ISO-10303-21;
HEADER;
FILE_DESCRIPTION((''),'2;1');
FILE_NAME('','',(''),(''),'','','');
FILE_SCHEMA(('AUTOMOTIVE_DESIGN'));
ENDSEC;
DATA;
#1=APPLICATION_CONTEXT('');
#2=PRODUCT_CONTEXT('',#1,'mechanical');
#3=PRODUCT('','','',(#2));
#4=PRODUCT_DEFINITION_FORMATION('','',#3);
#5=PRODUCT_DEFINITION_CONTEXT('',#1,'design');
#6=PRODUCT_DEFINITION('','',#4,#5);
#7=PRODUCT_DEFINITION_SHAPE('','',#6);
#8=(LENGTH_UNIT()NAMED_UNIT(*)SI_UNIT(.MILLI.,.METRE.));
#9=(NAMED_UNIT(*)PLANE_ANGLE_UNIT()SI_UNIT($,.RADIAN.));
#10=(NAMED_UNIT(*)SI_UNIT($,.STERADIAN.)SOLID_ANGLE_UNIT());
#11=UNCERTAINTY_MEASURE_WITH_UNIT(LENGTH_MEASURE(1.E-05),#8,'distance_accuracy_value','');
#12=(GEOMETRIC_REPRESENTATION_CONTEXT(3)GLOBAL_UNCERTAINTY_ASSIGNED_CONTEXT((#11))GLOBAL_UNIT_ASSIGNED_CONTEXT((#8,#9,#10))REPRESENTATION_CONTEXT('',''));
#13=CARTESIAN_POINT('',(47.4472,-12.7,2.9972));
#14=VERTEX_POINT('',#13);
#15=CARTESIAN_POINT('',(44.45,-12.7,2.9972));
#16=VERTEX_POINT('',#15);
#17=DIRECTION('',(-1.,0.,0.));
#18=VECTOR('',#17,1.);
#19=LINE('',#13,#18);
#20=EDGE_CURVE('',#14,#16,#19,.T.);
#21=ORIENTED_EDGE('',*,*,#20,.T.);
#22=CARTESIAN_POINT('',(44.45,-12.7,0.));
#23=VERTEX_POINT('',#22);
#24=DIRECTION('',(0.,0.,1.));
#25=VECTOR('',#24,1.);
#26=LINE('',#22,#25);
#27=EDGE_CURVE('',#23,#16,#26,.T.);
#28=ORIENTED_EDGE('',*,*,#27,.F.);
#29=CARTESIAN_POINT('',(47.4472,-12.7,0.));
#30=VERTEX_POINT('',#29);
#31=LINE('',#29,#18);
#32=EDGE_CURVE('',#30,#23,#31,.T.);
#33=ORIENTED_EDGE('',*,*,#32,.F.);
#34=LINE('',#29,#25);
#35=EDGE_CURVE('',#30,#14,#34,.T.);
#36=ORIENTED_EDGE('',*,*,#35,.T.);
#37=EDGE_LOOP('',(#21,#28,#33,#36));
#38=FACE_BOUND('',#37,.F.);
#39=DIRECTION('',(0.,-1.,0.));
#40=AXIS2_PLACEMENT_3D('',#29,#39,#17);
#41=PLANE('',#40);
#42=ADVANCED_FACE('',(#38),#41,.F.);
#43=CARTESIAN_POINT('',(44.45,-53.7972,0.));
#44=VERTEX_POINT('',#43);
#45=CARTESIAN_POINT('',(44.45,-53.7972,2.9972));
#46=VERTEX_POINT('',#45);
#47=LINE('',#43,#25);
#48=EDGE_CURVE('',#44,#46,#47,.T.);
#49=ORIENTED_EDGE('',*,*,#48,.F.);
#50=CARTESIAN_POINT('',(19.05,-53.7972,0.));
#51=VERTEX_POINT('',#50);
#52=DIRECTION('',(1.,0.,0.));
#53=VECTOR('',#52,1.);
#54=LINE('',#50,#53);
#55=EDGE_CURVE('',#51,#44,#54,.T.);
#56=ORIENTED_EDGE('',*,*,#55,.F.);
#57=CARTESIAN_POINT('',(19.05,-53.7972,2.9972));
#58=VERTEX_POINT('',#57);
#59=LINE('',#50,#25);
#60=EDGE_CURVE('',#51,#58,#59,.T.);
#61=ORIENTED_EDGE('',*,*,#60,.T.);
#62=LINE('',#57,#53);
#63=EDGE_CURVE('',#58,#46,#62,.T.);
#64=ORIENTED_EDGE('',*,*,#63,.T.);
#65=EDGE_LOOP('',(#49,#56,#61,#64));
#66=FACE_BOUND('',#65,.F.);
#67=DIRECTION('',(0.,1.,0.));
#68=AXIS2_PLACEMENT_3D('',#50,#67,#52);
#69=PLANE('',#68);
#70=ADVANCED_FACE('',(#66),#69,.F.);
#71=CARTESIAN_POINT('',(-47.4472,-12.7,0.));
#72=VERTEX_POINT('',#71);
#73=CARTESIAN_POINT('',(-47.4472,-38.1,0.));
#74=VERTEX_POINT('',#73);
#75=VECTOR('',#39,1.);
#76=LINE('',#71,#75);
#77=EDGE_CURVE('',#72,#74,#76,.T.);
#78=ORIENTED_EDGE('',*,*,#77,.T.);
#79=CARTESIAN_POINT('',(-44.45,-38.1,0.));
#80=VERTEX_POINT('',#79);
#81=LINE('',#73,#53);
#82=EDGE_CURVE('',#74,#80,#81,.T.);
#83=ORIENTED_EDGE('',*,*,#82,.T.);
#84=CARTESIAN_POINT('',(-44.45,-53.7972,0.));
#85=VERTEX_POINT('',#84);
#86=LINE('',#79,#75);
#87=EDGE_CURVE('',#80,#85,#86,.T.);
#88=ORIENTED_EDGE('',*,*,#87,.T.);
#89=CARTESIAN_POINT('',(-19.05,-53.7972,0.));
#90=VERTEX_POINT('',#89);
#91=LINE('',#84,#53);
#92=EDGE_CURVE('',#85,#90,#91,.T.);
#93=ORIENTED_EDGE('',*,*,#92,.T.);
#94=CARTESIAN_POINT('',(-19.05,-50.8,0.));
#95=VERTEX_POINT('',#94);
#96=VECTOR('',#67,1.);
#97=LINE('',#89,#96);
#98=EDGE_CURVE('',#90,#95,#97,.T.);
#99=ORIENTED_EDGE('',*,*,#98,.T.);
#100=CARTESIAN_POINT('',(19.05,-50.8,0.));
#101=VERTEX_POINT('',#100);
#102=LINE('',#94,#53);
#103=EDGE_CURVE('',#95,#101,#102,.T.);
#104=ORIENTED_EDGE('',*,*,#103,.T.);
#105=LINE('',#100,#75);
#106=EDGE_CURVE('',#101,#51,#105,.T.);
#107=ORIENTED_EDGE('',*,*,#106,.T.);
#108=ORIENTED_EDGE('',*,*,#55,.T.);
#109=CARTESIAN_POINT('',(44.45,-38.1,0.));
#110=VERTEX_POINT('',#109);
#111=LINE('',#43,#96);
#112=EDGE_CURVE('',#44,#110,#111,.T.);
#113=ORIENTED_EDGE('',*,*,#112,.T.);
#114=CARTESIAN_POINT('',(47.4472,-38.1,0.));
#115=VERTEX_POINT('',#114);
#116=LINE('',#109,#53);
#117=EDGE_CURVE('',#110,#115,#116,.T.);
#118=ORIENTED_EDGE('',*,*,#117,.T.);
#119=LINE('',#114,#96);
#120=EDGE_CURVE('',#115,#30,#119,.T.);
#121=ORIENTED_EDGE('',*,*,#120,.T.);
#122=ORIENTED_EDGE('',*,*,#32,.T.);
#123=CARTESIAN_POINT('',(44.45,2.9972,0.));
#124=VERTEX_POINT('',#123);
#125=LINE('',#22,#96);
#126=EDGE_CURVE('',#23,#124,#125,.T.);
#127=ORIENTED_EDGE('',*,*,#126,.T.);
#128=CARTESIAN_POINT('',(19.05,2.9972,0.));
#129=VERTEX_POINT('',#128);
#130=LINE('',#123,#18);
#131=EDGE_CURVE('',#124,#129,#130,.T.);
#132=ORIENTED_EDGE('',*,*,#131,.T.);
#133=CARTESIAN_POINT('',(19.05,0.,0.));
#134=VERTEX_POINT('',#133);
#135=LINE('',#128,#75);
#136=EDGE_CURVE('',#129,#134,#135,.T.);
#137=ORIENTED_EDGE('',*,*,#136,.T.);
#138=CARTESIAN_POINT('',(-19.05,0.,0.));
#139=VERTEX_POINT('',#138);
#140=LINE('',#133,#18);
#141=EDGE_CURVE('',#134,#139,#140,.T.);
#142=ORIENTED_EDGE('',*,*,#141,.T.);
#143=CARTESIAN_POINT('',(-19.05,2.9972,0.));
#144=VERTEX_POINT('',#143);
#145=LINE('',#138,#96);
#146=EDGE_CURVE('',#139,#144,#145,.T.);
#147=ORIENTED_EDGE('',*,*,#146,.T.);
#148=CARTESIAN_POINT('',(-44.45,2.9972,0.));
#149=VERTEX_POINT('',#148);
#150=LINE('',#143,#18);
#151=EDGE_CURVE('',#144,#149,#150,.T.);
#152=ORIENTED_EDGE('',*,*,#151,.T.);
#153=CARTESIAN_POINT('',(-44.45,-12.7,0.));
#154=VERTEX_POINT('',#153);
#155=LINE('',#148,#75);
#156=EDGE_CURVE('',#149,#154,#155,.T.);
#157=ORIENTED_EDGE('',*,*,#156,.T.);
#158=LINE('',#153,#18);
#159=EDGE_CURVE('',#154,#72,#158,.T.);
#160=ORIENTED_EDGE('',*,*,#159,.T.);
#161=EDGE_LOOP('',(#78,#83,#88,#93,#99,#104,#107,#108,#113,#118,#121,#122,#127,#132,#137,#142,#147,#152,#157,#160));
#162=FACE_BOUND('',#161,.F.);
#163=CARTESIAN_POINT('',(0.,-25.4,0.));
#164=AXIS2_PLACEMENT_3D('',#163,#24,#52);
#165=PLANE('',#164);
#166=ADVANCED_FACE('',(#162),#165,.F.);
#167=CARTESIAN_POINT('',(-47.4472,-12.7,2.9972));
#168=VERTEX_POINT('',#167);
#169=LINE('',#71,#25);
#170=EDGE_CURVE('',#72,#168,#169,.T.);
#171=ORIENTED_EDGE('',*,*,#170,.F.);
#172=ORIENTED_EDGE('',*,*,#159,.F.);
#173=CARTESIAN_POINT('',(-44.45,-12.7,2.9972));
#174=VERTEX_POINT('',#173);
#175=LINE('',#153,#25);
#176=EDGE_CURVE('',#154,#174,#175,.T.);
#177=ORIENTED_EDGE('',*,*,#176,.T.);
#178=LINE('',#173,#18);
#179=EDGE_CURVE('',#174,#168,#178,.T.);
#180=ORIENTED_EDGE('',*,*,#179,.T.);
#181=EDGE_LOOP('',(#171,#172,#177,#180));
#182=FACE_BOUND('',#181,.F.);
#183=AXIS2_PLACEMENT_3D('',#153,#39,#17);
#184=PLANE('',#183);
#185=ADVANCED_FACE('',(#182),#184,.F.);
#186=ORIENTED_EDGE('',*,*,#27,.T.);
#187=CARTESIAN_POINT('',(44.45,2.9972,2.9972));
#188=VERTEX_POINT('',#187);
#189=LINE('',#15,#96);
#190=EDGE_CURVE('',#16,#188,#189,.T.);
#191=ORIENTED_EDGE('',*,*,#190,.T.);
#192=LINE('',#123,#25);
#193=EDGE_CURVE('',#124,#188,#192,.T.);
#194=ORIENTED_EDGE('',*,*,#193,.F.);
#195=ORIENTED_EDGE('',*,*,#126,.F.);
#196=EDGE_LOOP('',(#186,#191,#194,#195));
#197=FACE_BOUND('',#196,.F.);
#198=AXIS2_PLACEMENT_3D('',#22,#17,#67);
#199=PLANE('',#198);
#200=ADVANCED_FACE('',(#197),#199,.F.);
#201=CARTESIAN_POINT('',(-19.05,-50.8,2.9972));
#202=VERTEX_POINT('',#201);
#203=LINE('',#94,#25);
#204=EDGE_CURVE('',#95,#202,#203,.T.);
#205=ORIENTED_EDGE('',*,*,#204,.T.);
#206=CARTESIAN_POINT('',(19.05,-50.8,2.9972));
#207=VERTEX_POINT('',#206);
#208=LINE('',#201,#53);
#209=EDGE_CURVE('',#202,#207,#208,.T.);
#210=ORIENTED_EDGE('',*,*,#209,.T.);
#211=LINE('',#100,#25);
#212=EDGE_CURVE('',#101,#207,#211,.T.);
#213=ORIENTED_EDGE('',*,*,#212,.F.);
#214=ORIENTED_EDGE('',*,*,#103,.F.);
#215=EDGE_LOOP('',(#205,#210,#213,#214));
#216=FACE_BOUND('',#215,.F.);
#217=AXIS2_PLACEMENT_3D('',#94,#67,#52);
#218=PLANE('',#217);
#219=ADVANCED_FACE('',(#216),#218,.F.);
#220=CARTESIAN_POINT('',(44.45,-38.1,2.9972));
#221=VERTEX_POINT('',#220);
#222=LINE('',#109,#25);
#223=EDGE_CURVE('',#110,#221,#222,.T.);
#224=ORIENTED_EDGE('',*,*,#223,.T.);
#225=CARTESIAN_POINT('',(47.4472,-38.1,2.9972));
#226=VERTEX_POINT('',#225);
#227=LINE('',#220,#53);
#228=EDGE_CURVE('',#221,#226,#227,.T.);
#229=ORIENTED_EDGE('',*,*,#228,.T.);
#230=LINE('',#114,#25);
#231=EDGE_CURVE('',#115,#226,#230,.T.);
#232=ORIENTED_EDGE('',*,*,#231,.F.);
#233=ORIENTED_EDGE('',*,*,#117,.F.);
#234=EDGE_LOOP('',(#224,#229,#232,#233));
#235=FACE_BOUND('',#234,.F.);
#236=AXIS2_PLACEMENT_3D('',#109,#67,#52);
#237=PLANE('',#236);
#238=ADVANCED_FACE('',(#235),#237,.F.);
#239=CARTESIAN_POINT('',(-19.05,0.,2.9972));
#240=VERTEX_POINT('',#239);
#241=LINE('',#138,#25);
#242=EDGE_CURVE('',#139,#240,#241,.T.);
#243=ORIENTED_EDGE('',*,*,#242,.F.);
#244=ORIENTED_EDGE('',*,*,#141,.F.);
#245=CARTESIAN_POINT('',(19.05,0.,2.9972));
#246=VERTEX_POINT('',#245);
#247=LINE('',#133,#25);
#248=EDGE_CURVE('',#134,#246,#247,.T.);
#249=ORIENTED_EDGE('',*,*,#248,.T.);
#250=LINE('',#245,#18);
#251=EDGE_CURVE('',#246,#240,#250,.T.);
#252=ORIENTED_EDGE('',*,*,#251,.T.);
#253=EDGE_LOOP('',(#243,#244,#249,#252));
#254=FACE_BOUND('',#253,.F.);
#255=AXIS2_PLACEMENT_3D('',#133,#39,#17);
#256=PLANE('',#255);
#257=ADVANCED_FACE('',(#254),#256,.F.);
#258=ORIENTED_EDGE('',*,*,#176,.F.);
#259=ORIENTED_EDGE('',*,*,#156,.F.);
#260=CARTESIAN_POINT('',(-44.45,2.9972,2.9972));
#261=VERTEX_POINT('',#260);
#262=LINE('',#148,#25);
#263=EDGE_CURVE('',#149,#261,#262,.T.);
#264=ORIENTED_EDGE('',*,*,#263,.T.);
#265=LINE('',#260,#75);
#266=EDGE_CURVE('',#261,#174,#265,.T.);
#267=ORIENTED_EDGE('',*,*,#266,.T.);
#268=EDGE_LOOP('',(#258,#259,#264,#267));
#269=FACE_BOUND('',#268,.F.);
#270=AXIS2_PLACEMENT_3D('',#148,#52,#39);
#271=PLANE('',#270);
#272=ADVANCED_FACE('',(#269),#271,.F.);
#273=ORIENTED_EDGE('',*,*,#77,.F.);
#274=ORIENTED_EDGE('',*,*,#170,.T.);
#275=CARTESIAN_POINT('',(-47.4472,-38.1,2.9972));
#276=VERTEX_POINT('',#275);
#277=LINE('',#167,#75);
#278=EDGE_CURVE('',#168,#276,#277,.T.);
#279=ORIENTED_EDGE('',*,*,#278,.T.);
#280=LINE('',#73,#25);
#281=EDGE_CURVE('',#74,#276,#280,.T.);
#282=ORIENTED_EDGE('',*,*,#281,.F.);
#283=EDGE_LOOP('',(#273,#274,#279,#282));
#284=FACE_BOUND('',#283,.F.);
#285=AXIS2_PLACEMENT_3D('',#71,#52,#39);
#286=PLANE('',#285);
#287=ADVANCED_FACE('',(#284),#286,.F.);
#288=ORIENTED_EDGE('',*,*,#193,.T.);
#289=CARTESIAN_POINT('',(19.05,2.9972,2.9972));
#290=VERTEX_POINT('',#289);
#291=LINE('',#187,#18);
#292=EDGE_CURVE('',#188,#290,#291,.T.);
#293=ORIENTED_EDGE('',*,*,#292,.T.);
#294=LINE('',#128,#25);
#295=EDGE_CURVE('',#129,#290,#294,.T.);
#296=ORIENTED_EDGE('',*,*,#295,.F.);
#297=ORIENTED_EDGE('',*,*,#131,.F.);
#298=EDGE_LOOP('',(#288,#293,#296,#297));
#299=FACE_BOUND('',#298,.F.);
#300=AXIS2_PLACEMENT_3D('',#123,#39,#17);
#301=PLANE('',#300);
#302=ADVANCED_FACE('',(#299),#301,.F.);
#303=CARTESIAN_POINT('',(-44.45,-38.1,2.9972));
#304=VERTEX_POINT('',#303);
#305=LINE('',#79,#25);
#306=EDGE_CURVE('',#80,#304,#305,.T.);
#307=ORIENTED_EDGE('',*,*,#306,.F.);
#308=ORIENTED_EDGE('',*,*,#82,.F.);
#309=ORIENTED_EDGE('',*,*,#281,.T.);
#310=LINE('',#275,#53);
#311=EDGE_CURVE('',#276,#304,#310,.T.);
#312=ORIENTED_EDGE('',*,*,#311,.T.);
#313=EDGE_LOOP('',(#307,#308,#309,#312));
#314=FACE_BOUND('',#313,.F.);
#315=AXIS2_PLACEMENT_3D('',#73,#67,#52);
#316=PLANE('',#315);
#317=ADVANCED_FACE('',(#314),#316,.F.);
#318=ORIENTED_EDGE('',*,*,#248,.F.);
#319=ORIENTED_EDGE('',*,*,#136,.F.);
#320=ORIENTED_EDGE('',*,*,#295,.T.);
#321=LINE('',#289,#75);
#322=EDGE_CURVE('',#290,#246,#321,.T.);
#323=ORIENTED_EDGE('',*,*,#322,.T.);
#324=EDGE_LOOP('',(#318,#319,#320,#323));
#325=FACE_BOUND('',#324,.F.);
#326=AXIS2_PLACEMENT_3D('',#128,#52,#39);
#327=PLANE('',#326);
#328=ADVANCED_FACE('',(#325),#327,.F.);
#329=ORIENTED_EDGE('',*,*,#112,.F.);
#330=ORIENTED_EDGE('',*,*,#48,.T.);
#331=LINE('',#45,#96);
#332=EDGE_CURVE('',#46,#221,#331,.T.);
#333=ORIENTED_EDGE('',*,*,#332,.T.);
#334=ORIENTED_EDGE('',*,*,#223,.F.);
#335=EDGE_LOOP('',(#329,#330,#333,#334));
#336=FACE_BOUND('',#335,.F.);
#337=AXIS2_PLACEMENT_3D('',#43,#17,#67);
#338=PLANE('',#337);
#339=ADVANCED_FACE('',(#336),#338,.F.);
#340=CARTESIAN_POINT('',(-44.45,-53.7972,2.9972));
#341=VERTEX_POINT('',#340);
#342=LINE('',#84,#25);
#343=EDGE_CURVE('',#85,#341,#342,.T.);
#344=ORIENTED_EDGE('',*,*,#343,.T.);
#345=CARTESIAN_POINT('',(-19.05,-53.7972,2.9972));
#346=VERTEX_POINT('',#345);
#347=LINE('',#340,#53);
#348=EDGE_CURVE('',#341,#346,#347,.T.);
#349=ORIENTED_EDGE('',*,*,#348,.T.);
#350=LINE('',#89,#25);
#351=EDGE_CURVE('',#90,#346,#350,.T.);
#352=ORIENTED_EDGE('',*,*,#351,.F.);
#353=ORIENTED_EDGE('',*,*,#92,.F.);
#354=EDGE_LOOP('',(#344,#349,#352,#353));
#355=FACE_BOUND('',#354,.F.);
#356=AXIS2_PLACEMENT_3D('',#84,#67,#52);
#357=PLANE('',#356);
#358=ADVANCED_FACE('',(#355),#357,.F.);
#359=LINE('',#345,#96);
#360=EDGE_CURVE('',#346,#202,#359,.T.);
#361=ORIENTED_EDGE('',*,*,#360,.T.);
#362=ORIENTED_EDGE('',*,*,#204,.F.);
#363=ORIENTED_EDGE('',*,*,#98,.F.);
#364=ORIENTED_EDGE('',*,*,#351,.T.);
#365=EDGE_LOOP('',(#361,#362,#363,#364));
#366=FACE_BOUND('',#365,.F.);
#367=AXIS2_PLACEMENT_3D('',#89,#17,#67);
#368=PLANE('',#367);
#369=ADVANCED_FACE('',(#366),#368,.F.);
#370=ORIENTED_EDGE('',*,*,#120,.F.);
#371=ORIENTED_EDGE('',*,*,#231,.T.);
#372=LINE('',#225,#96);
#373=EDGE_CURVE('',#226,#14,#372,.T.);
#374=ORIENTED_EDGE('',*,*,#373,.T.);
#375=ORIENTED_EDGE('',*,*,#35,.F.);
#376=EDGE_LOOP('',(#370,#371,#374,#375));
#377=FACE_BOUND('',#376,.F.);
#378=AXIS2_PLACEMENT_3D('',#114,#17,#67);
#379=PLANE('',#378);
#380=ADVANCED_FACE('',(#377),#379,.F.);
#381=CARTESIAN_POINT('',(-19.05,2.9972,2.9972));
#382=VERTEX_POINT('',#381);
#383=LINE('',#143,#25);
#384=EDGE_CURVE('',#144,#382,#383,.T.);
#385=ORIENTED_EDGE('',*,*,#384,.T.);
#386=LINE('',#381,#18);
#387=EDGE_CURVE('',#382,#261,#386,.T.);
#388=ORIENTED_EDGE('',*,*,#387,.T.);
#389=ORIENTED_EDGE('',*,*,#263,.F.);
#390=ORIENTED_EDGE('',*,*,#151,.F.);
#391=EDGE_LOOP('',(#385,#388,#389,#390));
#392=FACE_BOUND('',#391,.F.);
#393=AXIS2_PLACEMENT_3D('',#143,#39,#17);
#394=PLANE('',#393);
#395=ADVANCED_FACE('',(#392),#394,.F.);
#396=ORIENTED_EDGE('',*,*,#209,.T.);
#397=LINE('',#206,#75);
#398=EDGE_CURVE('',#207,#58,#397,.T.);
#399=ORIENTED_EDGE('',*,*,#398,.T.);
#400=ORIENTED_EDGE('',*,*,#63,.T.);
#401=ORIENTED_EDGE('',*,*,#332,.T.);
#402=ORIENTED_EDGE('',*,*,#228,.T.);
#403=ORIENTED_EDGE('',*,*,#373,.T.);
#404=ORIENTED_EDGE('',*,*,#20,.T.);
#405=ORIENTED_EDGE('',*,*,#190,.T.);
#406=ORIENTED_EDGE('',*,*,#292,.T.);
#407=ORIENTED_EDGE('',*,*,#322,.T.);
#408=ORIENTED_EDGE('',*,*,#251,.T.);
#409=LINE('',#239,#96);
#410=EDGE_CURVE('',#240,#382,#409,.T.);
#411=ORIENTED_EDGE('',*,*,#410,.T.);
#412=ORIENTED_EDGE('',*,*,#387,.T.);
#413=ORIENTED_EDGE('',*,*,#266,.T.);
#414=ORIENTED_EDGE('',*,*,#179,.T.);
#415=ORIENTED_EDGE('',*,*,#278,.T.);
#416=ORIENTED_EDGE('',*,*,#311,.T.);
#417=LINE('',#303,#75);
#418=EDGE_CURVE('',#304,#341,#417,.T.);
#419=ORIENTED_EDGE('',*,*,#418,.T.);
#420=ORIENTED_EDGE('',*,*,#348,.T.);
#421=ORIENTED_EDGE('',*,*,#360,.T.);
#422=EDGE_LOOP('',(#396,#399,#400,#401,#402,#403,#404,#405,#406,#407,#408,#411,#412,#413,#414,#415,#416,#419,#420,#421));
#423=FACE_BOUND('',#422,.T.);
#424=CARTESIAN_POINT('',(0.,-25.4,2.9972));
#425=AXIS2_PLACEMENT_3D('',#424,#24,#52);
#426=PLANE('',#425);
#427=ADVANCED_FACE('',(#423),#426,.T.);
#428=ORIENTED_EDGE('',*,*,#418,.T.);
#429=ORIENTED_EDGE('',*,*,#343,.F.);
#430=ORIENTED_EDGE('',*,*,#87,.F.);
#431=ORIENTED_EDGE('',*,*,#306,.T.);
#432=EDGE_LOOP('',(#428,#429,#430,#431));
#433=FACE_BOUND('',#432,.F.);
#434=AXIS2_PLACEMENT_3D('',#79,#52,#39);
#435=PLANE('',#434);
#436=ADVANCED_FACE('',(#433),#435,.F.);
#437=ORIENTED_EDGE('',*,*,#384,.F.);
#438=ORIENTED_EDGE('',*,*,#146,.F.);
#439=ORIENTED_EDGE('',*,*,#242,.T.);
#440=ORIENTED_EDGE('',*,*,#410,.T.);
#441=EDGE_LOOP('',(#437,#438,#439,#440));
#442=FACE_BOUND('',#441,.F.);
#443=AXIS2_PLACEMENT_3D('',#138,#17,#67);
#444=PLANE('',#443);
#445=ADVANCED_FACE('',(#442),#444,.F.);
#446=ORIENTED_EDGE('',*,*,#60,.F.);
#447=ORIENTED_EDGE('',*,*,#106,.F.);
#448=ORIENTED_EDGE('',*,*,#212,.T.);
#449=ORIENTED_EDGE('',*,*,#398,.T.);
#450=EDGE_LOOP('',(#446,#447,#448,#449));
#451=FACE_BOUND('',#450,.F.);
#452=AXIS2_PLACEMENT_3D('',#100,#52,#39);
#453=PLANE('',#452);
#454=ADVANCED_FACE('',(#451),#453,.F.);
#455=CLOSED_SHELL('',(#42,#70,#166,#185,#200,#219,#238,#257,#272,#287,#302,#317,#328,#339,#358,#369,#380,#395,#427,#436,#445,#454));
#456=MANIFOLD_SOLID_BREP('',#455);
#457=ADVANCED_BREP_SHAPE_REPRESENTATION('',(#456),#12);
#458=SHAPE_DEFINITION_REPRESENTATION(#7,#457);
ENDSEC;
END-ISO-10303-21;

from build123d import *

# Parameters (mm, degrees)
F1_DEPTH = 2.9972


with BuildPart() as f1:
    # F0 (on Top) → F1 (new body)
    with BuildSketch(Plane.XY):
        Polygon((19.05, 0), (0, 0), (-19.05, 0), (-19.05, 2.9972), (-44.45, 2.9972), (-44.45, 0), (-44.45, -12.7), (-47.4472, -12.7), (-47.4472, -25.4), (-47.4472, -38.1), (-44.45, -38.1), (-44.45, -50.8), (-44.45, -53.7972), (-19.05, -53.7972), (-19.05, -50.8), (0, -50.8), (19.05, -50.8), (19.05, -53.7972), (44.45, -53.7972), (44.45, -50.8), (44.45, -38.1), (47.4472, -38.1), (47.4472, -25.4), (47.4472, -12.7), (44.45, -12.7), (44.45, 0), (44.45, 2.9972), (19.05, 2.9972), align=None)
    extrude(amount=F1_DEPTH)


solid = f1.part
